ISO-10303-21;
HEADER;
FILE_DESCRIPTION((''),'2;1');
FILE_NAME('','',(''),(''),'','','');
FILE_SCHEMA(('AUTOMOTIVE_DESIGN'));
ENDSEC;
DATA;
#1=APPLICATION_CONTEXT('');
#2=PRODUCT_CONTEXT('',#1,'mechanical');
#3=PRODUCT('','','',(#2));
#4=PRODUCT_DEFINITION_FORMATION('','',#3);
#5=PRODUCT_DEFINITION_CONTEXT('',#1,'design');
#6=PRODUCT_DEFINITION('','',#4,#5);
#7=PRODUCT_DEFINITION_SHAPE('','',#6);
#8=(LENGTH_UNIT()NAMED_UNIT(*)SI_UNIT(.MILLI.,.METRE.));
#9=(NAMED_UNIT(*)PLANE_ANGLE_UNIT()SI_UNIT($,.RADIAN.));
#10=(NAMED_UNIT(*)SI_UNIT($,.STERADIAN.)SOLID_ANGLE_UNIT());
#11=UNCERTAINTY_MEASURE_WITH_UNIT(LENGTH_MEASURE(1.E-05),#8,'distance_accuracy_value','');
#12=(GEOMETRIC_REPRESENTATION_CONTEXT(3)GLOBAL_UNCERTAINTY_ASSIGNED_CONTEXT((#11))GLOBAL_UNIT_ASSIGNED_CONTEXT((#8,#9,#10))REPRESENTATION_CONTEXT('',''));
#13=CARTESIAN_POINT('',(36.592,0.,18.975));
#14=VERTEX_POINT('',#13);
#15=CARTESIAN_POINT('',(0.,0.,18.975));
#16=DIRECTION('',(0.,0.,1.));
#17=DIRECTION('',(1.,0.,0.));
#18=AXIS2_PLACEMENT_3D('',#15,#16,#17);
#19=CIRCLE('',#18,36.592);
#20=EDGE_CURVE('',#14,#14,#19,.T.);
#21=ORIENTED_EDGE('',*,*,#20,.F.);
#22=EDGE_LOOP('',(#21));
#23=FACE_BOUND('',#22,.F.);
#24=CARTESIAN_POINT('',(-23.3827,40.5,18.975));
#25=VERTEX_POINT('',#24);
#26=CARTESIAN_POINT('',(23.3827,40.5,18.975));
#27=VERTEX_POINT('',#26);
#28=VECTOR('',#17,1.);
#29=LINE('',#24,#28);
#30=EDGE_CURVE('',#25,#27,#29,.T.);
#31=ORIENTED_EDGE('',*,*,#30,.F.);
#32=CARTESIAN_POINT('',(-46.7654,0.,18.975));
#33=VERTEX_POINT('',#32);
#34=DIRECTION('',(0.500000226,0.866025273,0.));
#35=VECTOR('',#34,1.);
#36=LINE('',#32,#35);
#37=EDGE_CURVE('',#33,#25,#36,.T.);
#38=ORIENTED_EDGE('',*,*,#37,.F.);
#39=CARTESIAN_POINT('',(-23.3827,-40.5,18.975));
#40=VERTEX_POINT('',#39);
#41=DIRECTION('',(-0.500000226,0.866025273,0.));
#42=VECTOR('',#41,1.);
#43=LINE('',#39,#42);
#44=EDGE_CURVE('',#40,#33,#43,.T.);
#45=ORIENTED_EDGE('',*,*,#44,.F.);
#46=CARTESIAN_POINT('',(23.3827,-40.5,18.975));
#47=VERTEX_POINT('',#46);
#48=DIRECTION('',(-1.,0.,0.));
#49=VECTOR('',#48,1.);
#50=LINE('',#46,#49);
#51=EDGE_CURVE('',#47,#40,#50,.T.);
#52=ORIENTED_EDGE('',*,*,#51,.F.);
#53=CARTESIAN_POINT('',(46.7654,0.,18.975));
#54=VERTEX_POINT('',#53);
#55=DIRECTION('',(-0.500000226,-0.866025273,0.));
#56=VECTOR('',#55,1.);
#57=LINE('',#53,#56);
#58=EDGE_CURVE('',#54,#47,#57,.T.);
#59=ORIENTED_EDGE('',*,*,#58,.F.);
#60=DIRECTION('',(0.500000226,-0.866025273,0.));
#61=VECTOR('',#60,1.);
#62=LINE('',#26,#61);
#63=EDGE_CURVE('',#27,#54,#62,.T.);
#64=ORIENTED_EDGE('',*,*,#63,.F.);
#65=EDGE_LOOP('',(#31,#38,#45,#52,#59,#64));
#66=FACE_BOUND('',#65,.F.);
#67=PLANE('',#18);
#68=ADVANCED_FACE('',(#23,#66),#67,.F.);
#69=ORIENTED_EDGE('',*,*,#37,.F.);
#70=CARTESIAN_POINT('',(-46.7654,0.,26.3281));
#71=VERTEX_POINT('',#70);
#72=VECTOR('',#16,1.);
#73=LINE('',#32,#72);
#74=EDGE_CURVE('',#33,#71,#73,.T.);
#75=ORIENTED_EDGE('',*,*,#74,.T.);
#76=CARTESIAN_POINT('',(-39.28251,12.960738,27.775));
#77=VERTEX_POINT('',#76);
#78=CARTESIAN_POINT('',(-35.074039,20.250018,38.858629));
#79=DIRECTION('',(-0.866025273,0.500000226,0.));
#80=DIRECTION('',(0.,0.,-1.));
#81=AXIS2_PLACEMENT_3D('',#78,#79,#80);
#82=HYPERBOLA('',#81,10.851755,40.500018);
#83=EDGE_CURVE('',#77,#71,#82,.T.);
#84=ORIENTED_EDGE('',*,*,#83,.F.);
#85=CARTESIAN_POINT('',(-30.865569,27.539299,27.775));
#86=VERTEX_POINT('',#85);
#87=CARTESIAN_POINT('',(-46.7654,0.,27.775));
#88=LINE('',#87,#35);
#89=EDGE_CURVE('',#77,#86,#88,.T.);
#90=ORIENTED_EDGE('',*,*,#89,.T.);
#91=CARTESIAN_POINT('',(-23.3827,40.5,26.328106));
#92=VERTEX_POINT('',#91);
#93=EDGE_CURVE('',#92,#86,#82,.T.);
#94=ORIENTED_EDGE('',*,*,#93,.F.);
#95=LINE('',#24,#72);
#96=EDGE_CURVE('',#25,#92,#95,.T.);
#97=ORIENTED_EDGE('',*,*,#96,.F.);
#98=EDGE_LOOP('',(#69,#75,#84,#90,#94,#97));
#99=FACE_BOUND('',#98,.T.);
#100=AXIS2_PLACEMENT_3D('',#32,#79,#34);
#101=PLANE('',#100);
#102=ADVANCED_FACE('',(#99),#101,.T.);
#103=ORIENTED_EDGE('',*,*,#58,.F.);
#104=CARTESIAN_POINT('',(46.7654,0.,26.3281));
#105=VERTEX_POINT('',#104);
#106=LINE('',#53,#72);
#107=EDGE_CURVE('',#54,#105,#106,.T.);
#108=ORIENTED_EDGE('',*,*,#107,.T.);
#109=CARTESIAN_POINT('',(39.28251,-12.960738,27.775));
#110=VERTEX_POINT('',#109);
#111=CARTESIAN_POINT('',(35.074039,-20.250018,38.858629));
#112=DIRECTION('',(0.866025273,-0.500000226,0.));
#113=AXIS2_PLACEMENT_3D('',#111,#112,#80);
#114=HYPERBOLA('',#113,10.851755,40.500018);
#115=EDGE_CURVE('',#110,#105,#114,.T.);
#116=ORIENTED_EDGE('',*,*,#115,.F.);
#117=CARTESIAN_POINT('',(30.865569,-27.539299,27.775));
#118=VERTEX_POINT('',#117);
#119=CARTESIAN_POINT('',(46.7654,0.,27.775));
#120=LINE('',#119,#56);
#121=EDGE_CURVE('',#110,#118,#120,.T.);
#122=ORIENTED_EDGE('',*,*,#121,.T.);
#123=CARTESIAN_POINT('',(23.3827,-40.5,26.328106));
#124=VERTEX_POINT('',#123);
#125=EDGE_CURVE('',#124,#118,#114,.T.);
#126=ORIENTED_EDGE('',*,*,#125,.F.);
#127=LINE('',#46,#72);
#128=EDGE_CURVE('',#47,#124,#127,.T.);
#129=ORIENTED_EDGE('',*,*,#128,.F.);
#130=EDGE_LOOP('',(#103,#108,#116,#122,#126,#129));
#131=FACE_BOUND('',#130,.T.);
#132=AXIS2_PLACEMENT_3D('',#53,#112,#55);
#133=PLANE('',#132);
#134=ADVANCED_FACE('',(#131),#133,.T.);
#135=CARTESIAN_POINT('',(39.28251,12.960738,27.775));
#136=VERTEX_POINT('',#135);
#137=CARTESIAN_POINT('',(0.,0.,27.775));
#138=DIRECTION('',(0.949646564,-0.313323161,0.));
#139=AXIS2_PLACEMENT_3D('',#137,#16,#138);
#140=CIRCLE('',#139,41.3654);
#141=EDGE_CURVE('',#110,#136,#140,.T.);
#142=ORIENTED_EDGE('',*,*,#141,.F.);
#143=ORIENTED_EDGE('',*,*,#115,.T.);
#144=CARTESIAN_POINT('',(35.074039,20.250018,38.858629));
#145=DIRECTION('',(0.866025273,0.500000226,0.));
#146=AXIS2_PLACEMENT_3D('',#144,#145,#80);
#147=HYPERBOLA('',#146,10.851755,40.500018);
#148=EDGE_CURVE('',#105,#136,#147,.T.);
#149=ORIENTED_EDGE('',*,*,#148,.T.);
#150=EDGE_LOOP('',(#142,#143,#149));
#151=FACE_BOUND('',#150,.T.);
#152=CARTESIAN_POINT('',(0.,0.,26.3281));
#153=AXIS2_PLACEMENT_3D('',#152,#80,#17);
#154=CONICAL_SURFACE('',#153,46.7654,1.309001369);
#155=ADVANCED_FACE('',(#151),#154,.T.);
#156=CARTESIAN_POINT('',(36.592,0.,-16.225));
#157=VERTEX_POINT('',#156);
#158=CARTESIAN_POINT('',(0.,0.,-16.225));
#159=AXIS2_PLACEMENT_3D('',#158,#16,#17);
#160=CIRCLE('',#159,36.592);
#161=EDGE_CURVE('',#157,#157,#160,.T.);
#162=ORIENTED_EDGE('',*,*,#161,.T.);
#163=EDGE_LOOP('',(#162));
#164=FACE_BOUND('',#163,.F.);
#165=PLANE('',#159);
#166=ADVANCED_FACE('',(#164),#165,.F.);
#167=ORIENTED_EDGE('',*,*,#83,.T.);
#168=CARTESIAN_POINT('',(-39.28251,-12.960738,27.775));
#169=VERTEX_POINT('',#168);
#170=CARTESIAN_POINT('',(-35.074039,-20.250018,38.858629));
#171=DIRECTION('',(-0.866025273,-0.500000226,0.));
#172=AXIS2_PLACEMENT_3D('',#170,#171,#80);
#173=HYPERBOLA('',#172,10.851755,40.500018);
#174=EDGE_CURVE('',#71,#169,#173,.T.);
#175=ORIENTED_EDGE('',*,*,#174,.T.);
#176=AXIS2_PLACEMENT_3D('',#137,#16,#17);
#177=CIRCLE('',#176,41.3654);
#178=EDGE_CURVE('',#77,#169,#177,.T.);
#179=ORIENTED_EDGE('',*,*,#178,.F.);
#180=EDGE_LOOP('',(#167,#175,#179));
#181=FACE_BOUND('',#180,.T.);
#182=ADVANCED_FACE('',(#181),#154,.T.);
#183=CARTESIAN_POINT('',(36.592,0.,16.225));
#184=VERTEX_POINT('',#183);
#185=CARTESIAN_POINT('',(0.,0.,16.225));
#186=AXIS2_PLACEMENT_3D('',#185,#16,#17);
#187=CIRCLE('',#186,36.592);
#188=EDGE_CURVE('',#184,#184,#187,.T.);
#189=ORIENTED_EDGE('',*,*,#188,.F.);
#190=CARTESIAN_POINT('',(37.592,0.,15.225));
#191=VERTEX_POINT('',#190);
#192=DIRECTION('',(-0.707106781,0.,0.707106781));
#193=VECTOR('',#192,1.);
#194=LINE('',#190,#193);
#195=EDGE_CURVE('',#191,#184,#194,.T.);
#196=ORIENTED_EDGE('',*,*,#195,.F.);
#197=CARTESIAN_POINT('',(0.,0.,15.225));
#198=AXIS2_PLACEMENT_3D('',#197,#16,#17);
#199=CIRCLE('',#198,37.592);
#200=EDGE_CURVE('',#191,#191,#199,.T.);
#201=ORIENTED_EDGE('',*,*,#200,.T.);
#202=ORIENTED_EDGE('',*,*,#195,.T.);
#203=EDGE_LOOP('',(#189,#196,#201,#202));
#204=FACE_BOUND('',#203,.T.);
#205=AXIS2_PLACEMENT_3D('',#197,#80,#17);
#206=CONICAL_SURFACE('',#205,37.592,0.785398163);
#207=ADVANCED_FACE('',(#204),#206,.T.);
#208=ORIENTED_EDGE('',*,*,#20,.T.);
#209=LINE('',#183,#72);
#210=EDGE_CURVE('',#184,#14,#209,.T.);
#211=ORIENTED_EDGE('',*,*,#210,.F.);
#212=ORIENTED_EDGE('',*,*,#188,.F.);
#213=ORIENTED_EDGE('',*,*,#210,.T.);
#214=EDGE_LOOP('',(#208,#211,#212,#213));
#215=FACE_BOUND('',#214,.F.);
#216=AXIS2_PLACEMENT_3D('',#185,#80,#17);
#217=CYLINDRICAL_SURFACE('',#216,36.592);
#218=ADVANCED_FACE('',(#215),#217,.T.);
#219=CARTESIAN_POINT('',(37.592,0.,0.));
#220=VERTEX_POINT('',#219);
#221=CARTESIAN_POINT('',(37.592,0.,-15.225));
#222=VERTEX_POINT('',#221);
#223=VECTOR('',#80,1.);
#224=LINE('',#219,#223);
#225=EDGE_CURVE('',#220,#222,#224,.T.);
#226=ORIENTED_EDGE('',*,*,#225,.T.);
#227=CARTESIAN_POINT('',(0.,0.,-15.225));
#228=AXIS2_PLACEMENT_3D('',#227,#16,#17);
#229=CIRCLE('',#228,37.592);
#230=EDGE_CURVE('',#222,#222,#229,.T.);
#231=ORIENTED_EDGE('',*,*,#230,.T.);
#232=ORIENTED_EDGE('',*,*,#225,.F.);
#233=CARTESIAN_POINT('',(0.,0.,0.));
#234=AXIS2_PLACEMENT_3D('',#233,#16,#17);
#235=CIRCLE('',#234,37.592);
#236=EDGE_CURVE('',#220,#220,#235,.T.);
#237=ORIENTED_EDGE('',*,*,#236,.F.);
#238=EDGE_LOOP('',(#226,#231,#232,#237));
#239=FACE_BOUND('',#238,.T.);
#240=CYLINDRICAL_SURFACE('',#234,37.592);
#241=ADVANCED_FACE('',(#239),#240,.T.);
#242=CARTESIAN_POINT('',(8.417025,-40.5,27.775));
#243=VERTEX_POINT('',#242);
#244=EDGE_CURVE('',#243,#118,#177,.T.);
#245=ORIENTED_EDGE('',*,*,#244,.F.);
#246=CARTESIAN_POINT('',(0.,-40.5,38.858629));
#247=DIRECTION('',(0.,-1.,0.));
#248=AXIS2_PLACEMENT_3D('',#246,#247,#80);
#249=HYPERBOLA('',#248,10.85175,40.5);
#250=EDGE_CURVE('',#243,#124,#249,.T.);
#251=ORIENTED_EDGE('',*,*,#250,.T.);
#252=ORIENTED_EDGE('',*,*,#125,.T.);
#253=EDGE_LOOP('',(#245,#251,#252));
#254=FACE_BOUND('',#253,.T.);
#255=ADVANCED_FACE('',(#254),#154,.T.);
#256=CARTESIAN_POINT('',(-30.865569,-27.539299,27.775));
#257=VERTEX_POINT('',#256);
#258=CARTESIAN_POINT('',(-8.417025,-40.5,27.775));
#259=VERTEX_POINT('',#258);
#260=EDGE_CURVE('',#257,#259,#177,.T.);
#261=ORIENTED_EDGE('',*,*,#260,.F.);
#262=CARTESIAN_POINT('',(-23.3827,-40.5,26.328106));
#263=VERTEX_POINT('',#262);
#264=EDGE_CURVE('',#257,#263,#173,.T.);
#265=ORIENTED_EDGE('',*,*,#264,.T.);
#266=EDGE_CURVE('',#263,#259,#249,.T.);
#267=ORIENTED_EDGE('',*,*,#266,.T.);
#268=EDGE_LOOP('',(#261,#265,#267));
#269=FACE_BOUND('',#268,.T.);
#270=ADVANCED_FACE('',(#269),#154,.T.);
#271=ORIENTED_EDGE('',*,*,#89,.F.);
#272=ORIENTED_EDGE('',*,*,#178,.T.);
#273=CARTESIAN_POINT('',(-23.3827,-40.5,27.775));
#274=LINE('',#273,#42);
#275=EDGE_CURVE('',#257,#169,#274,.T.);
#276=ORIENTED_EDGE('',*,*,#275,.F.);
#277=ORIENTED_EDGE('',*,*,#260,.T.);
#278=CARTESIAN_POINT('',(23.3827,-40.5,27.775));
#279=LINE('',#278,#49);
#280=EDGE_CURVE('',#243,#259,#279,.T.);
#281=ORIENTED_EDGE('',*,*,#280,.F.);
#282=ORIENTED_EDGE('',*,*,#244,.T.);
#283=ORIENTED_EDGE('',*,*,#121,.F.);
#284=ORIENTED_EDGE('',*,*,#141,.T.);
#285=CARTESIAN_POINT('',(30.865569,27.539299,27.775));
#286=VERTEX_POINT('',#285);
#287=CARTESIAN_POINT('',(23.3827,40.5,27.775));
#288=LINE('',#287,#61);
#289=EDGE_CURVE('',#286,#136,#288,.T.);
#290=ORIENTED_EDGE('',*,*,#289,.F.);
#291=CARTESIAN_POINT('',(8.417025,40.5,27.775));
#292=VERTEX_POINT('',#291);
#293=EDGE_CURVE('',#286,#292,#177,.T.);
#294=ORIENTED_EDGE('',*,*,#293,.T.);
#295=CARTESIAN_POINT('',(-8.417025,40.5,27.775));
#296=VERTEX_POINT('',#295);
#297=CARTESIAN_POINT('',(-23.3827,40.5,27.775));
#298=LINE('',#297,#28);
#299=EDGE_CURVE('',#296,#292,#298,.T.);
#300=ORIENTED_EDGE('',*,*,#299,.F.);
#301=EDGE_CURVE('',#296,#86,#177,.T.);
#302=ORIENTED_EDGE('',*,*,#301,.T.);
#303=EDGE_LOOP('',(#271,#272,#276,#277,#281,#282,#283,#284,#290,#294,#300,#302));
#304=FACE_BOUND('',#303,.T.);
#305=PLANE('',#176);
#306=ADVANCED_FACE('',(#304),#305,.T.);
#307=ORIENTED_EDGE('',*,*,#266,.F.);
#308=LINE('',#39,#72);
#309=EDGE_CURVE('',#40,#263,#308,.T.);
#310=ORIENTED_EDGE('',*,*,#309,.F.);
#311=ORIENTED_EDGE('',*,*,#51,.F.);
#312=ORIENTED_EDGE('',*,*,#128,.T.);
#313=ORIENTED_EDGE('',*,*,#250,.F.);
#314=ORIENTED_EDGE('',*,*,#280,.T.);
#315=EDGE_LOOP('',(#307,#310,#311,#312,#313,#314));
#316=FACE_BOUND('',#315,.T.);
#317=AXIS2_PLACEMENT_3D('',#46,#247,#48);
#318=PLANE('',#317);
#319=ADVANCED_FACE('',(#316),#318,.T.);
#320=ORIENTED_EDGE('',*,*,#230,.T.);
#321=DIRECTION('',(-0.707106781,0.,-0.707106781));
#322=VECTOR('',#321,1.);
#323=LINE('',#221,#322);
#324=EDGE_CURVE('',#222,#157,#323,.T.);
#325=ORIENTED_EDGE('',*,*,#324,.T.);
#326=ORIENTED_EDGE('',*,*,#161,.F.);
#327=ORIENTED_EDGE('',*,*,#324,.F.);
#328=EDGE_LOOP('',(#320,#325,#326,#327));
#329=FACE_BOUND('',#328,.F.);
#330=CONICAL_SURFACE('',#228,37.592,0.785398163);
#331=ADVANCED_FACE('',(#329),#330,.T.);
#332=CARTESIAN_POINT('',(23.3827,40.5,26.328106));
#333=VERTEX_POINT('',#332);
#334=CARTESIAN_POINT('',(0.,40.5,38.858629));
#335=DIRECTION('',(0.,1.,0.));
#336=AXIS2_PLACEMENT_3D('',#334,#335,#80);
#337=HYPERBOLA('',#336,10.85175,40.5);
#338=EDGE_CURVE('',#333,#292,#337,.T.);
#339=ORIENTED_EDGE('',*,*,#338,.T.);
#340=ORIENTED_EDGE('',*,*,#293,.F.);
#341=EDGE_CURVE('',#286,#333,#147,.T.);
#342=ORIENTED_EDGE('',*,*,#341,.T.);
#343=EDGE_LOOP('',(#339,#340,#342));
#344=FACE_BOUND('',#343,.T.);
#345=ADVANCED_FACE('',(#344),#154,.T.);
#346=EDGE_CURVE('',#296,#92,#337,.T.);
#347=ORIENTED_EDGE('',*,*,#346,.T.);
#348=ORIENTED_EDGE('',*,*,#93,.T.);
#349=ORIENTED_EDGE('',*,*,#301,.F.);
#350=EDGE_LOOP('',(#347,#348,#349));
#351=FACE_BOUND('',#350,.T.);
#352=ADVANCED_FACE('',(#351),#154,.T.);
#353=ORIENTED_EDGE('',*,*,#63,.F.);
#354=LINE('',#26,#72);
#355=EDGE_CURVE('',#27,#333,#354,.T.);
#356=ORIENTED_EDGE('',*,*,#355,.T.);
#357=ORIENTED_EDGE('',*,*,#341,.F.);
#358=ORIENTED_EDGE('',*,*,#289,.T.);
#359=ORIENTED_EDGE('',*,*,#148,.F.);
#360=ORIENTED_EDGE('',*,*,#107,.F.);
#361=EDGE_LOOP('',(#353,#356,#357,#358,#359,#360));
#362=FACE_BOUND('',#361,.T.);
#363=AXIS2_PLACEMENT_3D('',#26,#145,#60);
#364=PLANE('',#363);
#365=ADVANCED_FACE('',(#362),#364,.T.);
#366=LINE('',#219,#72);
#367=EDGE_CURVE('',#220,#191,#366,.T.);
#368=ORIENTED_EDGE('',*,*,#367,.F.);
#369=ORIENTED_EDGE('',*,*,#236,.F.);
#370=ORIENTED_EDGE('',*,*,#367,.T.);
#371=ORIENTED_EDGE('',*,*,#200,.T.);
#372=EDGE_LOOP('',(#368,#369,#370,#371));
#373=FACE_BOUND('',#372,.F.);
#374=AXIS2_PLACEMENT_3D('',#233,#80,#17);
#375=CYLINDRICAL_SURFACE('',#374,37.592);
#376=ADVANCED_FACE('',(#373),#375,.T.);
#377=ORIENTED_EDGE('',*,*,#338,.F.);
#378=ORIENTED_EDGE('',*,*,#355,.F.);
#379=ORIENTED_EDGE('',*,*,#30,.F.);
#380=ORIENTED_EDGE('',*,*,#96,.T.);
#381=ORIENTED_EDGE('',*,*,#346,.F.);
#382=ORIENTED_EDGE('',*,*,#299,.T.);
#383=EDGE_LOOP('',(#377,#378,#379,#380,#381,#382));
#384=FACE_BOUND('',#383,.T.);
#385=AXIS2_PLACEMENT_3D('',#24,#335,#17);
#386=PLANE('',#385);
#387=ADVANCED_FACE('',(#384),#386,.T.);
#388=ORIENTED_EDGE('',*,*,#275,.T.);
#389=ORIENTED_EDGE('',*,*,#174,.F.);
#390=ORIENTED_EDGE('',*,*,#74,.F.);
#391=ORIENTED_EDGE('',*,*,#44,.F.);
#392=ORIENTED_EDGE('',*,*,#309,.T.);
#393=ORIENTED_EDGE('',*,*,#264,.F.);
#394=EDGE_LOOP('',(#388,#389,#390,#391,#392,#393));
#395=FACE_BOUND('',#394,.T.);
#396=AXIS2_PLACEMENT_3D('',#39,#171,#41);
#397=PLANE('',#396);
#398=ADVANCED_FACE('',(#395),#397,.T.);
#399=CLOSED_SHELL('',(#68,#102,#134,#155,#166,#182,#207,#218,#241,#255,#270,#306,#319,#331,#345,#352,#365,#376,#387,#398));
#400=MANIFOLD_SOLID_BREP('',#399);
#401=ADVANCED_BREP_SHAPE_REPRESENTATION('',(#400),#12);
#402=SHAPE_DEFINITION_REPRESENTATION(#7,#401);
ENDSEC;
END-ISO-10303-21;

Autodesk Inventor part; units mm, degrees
ref_plane "YZ Plane" through (0, 0, 0) normal (1, 0, 0) x (0, 1, 0)
ref_plane "XZ Plane" through (0, 0, 0) normal (0, 1, 0) x (-1, 0, 0)
ref_plane "XY Plane" through (0, 0, 0) normal (0, 0, 1) x (1, 0, 0)
sketch "Szkic7" plane through (0, 0, 0) normal (0, 0, 1) x (1, 0, 0)
  circle A0 centre (0, 0) radius 37.592
  dimension "d35" = 75.184
extrude "Wyciągnięcie proste2" add sketch "Szkic7" along normal mid plane 32.45
chamfer "Faza2" distance 1 angle 45 1 edges at (-37.592, 0, 16.225)
sketch "Szkic9" plane through (0, 0, 16.225) normal (0, 0, 1) x (1, 0, 0)
  circle A0 centre (0, 0) radius 36.592 projected
extrude "Wyciągnięcie proste3" add sketch "Szkic9" along normal blind 2.75
sketch "Szkic10" plane through (0, 0, 18.975) normal (0, 0, 1) x (1, 0, 0)
  line L0 (-23.3827, 40.5) -> (23.3827, 40.5)
  line L1 (23.3827, 40.5) -> (46.7654, 0)
  line L2 (46.7654, 0) -> (23.3827, -40.5)
  line L3 (23.3827, -40.5) -> (-23.3827, -40.5)
  line L4 (-23.3827, -40.5) -> (-46.7654, 0)
  line L5 (-46.7654, 0) -> (-23.3827, 40.5)
  line L6 (0, 52.6288) -> (0, -52.6288) construction
  line L7 (-52.6288, 0) -> (52.6288, 0) construction
  point P0 (0, 0)
  point P1 (0, 0)
  point P2 (0, 40.5)
  dimension "d44" = 81
extrude "Wyciągnięcie proste4" add sketch "Szkic10" along normal blind 8.8
sketch "Szkic12" plane through (0, 0, 0) normal (0, 1, 0) x (-1, 0, 0)
  line L0 (0, -2.1463) -> (0, 12.8775) construction
  line L1 (-23.3827, 18.975) -> (-23.3827, 27.775) construction
  line L2 (-46.7654, 27.775) -> (-23.3827, 27.775) construction
  line L3 (-46.7654, 18.975) -> (-46.7654, 27.775) projected
  line L4 (-46.7654, 26.3281) -> (-41.3654, 27.775)
  line L5 (-46.7654, 27.775) -> (-23.3827, 27.775) projected
  line L6 (-46.7654, 18.975) -> (-23.3827, 18.975) projected
  point P0 (0, 0)
  dimension "d50" = 15
  dimension "d51" = 5.4
revolve "Obrót2" cut sketch "Szkic12" angle 360 about axis through (0, 0, -10) along (0, 0, 1)
thread "Gwint3" size "G75.184x2.309" designation "G 2 1/2" class "A" standard "ISO Pipe Threads" full length
chamfer "Faza3" distance 1 angle 45 1 edges at (-37.592, 0, -16.225)
equation "\"d35\" = OD"
equation "\"d36\" = 0.7375 * L"
equation "\"d42\" = 0.0625 * L"
equation "\"d44\" = SW"
equation "\"d45\" = 0.2 * L"
equation "\"d51\" = 0.0666667 * SW"
equation "\"SzerokośćGięciaPodcięcia\" = Grubość"
equation "\"RozmiarPodcięciaNarożnika\" = 4 * Grubość"
equation "\"PromieńPrzejścia\" = PromieńGięcia"
equation "\"Rozmiar_promienia_Jacobiego\" = PromieńGięcia"
equation "\"Wielk_odstępu\" = Grubość"
equation "\"d2\" = PromieńGięcia"
equation "\"d23\" = PromieńGięcia"
equation "\"OD\" = 75.184"
equation "\"SW\" = 81"
equation "\"L\" = 44"
equation "\"Grubość\" = 1.5"
equation "\"PromieńGięcia\" = 3"
properties part number "Korek sześciokątny BSP 2 1/2'' L=44" material "304"
